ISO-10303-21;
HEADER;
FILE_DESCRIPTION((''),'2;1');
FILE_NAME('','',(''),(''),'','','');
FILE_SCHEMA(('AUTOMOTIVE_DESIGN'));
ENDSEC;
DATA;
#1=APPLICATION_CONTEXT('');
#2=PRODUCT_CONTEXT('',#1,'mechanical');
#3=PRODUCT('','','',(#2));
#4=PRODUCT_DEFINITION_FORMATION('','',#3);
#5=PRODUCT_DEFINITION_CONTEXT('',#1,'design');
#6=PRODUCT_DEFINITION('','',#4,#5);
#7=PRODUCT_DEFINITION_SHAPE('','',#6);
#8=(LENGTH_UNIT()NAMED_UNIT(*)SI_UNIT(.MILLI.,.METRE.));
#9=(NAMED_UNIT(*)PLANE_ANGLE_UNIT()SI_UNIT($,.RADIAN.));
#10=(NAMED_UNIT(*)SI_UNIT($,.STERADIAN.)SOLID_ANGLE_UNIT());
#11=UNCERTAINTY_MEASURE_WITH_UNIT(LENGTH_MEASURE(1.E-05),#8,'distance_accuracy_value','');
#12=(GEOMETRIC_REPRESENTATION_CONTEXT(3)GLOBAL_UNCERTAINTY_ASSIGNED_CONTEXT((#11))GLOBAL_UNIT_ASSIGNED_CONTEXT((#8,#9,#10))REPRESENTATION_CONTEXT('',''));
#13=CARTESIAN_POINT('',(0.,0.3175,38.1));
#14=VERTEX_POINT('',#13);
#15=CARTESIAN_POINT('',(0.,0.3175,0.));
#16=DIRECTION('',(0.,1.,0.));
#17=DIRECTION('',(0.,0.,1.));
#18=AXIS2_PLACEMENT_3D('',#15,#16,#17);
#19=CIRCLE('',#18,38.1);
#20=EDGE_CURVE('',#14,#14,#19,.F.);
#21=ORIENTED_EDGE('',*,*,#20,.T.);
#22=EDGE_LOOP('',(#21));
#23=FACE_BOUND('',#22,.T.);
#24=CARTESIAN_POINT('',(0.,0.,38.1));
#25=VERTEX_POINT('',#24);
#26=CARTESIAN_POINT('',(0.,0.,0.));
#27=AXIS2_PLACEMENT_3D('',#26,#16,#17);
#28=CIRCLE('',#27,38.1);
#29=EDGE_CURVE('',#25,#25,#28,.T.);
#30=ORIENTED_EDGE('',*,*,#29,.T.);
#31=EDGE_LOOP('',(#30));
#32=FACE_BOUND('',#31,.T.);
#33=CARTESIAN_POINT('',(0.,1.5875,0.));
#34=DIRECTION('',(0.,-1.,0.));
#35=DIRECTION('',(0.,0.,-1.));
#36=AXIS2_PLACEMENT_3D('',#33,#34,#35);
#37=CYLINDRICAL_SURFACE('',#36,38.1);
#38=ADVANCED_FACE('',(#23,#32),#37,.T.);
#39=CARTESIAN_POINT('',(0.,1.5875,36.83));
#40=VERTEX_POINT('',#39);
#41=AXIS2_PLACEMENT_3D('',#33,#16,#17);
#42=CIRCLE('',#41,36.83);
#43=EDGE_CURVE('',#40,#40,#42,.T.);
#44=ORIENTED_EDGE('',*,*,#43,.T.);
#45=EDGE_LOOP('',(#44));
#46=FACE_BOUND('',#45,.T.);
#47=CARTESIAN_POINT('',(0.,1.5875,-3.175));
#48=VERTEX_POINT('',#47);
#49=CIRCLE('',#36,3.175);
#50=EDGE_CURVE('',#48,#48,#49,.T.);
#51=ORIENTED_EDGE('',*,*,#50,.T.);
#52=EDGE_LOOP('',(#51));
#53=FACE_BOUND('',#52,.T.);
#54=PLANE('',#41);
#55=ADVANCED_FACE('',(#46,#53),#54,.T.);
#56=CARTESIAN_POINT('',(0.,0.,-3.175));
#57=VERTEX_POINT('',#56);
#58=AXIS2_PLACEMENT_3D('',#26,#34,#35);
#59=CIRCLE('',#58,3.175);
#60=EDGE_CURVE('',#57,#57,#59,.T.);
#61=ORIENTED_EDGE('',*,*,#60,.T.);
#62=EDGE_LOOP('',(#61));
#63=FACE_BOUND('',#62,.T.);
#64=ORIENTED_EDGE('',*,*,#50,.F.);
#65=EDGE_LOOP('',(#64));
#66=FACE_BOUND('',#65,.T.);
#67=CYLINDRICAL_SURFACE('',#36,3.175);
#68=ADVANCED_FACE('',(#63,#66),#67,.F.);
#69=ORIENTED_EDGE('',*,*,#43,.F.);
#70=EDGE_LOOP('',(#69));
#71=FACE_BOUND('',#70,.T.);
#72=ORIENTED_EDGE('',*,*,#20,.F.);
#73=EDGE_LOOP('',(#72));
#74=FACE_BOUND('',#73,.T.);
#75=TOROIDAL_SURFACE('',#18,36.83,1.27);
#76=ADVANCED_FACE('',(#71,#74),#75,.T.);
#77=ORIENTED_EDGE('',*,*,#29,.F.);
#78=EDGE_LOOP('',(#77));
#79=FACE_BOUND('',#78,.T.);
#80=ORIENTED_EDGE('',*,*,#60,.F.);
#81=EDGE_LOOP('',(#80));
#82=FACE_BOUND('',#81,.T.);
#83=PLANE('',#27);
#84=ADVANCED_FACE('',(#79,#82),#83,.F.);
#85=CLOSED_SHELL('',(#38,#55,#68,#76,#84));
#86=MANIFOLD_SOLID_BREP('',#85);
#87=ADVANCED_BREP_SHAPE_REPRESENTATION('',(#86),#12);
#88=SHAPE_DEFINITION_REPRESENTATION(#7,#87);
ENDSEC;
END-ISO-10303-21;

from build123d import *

# Parameters (mm, degrees)
SKETCH1_R           = 38.1
BOSS_EXTRUDE1_DEPTH = 1.5875
FILLET1_R           = 1.27
SKETCH2_R           = 3.175
CUT_EXTRUDE1_DEPTH  = 54.904917737


with BuildPart() as part:
    # Sketch1 → Boss-Extrude1 (new body)
    with BuildSketch(Plane(origin=(0, 0, 0), x_dir=(1, 0, 0), z_dir=(0, 1, 0))):
        with Locations(Location((0, 0, 0), (0, 0, 270))):
            Circle(SKETCH1_R)
    extrude(amount=BOSS_EXTRUDE1_DEPTH)

    # Fillet1
    fillet1_edges = [part.edges().sort_by_distance(p)[0] for p in [
        (0, 1.5875, -38.1),
    ]]
    fillet(fillet1_edges, radius=FILLET1_R)

    # Sketch2 → Cut-Extrude1 (cut, through all)
    with BuildSketch(Plane.XZ):
        with Locations(Location((0, 0, 0), (0, 0, 270))):
            Circle(SKETCH2_R)
    extrude(amount=-CUT_EXTRUDE1_DEPTH, mode=Mode.SUBTRACT)


solid = part.part
